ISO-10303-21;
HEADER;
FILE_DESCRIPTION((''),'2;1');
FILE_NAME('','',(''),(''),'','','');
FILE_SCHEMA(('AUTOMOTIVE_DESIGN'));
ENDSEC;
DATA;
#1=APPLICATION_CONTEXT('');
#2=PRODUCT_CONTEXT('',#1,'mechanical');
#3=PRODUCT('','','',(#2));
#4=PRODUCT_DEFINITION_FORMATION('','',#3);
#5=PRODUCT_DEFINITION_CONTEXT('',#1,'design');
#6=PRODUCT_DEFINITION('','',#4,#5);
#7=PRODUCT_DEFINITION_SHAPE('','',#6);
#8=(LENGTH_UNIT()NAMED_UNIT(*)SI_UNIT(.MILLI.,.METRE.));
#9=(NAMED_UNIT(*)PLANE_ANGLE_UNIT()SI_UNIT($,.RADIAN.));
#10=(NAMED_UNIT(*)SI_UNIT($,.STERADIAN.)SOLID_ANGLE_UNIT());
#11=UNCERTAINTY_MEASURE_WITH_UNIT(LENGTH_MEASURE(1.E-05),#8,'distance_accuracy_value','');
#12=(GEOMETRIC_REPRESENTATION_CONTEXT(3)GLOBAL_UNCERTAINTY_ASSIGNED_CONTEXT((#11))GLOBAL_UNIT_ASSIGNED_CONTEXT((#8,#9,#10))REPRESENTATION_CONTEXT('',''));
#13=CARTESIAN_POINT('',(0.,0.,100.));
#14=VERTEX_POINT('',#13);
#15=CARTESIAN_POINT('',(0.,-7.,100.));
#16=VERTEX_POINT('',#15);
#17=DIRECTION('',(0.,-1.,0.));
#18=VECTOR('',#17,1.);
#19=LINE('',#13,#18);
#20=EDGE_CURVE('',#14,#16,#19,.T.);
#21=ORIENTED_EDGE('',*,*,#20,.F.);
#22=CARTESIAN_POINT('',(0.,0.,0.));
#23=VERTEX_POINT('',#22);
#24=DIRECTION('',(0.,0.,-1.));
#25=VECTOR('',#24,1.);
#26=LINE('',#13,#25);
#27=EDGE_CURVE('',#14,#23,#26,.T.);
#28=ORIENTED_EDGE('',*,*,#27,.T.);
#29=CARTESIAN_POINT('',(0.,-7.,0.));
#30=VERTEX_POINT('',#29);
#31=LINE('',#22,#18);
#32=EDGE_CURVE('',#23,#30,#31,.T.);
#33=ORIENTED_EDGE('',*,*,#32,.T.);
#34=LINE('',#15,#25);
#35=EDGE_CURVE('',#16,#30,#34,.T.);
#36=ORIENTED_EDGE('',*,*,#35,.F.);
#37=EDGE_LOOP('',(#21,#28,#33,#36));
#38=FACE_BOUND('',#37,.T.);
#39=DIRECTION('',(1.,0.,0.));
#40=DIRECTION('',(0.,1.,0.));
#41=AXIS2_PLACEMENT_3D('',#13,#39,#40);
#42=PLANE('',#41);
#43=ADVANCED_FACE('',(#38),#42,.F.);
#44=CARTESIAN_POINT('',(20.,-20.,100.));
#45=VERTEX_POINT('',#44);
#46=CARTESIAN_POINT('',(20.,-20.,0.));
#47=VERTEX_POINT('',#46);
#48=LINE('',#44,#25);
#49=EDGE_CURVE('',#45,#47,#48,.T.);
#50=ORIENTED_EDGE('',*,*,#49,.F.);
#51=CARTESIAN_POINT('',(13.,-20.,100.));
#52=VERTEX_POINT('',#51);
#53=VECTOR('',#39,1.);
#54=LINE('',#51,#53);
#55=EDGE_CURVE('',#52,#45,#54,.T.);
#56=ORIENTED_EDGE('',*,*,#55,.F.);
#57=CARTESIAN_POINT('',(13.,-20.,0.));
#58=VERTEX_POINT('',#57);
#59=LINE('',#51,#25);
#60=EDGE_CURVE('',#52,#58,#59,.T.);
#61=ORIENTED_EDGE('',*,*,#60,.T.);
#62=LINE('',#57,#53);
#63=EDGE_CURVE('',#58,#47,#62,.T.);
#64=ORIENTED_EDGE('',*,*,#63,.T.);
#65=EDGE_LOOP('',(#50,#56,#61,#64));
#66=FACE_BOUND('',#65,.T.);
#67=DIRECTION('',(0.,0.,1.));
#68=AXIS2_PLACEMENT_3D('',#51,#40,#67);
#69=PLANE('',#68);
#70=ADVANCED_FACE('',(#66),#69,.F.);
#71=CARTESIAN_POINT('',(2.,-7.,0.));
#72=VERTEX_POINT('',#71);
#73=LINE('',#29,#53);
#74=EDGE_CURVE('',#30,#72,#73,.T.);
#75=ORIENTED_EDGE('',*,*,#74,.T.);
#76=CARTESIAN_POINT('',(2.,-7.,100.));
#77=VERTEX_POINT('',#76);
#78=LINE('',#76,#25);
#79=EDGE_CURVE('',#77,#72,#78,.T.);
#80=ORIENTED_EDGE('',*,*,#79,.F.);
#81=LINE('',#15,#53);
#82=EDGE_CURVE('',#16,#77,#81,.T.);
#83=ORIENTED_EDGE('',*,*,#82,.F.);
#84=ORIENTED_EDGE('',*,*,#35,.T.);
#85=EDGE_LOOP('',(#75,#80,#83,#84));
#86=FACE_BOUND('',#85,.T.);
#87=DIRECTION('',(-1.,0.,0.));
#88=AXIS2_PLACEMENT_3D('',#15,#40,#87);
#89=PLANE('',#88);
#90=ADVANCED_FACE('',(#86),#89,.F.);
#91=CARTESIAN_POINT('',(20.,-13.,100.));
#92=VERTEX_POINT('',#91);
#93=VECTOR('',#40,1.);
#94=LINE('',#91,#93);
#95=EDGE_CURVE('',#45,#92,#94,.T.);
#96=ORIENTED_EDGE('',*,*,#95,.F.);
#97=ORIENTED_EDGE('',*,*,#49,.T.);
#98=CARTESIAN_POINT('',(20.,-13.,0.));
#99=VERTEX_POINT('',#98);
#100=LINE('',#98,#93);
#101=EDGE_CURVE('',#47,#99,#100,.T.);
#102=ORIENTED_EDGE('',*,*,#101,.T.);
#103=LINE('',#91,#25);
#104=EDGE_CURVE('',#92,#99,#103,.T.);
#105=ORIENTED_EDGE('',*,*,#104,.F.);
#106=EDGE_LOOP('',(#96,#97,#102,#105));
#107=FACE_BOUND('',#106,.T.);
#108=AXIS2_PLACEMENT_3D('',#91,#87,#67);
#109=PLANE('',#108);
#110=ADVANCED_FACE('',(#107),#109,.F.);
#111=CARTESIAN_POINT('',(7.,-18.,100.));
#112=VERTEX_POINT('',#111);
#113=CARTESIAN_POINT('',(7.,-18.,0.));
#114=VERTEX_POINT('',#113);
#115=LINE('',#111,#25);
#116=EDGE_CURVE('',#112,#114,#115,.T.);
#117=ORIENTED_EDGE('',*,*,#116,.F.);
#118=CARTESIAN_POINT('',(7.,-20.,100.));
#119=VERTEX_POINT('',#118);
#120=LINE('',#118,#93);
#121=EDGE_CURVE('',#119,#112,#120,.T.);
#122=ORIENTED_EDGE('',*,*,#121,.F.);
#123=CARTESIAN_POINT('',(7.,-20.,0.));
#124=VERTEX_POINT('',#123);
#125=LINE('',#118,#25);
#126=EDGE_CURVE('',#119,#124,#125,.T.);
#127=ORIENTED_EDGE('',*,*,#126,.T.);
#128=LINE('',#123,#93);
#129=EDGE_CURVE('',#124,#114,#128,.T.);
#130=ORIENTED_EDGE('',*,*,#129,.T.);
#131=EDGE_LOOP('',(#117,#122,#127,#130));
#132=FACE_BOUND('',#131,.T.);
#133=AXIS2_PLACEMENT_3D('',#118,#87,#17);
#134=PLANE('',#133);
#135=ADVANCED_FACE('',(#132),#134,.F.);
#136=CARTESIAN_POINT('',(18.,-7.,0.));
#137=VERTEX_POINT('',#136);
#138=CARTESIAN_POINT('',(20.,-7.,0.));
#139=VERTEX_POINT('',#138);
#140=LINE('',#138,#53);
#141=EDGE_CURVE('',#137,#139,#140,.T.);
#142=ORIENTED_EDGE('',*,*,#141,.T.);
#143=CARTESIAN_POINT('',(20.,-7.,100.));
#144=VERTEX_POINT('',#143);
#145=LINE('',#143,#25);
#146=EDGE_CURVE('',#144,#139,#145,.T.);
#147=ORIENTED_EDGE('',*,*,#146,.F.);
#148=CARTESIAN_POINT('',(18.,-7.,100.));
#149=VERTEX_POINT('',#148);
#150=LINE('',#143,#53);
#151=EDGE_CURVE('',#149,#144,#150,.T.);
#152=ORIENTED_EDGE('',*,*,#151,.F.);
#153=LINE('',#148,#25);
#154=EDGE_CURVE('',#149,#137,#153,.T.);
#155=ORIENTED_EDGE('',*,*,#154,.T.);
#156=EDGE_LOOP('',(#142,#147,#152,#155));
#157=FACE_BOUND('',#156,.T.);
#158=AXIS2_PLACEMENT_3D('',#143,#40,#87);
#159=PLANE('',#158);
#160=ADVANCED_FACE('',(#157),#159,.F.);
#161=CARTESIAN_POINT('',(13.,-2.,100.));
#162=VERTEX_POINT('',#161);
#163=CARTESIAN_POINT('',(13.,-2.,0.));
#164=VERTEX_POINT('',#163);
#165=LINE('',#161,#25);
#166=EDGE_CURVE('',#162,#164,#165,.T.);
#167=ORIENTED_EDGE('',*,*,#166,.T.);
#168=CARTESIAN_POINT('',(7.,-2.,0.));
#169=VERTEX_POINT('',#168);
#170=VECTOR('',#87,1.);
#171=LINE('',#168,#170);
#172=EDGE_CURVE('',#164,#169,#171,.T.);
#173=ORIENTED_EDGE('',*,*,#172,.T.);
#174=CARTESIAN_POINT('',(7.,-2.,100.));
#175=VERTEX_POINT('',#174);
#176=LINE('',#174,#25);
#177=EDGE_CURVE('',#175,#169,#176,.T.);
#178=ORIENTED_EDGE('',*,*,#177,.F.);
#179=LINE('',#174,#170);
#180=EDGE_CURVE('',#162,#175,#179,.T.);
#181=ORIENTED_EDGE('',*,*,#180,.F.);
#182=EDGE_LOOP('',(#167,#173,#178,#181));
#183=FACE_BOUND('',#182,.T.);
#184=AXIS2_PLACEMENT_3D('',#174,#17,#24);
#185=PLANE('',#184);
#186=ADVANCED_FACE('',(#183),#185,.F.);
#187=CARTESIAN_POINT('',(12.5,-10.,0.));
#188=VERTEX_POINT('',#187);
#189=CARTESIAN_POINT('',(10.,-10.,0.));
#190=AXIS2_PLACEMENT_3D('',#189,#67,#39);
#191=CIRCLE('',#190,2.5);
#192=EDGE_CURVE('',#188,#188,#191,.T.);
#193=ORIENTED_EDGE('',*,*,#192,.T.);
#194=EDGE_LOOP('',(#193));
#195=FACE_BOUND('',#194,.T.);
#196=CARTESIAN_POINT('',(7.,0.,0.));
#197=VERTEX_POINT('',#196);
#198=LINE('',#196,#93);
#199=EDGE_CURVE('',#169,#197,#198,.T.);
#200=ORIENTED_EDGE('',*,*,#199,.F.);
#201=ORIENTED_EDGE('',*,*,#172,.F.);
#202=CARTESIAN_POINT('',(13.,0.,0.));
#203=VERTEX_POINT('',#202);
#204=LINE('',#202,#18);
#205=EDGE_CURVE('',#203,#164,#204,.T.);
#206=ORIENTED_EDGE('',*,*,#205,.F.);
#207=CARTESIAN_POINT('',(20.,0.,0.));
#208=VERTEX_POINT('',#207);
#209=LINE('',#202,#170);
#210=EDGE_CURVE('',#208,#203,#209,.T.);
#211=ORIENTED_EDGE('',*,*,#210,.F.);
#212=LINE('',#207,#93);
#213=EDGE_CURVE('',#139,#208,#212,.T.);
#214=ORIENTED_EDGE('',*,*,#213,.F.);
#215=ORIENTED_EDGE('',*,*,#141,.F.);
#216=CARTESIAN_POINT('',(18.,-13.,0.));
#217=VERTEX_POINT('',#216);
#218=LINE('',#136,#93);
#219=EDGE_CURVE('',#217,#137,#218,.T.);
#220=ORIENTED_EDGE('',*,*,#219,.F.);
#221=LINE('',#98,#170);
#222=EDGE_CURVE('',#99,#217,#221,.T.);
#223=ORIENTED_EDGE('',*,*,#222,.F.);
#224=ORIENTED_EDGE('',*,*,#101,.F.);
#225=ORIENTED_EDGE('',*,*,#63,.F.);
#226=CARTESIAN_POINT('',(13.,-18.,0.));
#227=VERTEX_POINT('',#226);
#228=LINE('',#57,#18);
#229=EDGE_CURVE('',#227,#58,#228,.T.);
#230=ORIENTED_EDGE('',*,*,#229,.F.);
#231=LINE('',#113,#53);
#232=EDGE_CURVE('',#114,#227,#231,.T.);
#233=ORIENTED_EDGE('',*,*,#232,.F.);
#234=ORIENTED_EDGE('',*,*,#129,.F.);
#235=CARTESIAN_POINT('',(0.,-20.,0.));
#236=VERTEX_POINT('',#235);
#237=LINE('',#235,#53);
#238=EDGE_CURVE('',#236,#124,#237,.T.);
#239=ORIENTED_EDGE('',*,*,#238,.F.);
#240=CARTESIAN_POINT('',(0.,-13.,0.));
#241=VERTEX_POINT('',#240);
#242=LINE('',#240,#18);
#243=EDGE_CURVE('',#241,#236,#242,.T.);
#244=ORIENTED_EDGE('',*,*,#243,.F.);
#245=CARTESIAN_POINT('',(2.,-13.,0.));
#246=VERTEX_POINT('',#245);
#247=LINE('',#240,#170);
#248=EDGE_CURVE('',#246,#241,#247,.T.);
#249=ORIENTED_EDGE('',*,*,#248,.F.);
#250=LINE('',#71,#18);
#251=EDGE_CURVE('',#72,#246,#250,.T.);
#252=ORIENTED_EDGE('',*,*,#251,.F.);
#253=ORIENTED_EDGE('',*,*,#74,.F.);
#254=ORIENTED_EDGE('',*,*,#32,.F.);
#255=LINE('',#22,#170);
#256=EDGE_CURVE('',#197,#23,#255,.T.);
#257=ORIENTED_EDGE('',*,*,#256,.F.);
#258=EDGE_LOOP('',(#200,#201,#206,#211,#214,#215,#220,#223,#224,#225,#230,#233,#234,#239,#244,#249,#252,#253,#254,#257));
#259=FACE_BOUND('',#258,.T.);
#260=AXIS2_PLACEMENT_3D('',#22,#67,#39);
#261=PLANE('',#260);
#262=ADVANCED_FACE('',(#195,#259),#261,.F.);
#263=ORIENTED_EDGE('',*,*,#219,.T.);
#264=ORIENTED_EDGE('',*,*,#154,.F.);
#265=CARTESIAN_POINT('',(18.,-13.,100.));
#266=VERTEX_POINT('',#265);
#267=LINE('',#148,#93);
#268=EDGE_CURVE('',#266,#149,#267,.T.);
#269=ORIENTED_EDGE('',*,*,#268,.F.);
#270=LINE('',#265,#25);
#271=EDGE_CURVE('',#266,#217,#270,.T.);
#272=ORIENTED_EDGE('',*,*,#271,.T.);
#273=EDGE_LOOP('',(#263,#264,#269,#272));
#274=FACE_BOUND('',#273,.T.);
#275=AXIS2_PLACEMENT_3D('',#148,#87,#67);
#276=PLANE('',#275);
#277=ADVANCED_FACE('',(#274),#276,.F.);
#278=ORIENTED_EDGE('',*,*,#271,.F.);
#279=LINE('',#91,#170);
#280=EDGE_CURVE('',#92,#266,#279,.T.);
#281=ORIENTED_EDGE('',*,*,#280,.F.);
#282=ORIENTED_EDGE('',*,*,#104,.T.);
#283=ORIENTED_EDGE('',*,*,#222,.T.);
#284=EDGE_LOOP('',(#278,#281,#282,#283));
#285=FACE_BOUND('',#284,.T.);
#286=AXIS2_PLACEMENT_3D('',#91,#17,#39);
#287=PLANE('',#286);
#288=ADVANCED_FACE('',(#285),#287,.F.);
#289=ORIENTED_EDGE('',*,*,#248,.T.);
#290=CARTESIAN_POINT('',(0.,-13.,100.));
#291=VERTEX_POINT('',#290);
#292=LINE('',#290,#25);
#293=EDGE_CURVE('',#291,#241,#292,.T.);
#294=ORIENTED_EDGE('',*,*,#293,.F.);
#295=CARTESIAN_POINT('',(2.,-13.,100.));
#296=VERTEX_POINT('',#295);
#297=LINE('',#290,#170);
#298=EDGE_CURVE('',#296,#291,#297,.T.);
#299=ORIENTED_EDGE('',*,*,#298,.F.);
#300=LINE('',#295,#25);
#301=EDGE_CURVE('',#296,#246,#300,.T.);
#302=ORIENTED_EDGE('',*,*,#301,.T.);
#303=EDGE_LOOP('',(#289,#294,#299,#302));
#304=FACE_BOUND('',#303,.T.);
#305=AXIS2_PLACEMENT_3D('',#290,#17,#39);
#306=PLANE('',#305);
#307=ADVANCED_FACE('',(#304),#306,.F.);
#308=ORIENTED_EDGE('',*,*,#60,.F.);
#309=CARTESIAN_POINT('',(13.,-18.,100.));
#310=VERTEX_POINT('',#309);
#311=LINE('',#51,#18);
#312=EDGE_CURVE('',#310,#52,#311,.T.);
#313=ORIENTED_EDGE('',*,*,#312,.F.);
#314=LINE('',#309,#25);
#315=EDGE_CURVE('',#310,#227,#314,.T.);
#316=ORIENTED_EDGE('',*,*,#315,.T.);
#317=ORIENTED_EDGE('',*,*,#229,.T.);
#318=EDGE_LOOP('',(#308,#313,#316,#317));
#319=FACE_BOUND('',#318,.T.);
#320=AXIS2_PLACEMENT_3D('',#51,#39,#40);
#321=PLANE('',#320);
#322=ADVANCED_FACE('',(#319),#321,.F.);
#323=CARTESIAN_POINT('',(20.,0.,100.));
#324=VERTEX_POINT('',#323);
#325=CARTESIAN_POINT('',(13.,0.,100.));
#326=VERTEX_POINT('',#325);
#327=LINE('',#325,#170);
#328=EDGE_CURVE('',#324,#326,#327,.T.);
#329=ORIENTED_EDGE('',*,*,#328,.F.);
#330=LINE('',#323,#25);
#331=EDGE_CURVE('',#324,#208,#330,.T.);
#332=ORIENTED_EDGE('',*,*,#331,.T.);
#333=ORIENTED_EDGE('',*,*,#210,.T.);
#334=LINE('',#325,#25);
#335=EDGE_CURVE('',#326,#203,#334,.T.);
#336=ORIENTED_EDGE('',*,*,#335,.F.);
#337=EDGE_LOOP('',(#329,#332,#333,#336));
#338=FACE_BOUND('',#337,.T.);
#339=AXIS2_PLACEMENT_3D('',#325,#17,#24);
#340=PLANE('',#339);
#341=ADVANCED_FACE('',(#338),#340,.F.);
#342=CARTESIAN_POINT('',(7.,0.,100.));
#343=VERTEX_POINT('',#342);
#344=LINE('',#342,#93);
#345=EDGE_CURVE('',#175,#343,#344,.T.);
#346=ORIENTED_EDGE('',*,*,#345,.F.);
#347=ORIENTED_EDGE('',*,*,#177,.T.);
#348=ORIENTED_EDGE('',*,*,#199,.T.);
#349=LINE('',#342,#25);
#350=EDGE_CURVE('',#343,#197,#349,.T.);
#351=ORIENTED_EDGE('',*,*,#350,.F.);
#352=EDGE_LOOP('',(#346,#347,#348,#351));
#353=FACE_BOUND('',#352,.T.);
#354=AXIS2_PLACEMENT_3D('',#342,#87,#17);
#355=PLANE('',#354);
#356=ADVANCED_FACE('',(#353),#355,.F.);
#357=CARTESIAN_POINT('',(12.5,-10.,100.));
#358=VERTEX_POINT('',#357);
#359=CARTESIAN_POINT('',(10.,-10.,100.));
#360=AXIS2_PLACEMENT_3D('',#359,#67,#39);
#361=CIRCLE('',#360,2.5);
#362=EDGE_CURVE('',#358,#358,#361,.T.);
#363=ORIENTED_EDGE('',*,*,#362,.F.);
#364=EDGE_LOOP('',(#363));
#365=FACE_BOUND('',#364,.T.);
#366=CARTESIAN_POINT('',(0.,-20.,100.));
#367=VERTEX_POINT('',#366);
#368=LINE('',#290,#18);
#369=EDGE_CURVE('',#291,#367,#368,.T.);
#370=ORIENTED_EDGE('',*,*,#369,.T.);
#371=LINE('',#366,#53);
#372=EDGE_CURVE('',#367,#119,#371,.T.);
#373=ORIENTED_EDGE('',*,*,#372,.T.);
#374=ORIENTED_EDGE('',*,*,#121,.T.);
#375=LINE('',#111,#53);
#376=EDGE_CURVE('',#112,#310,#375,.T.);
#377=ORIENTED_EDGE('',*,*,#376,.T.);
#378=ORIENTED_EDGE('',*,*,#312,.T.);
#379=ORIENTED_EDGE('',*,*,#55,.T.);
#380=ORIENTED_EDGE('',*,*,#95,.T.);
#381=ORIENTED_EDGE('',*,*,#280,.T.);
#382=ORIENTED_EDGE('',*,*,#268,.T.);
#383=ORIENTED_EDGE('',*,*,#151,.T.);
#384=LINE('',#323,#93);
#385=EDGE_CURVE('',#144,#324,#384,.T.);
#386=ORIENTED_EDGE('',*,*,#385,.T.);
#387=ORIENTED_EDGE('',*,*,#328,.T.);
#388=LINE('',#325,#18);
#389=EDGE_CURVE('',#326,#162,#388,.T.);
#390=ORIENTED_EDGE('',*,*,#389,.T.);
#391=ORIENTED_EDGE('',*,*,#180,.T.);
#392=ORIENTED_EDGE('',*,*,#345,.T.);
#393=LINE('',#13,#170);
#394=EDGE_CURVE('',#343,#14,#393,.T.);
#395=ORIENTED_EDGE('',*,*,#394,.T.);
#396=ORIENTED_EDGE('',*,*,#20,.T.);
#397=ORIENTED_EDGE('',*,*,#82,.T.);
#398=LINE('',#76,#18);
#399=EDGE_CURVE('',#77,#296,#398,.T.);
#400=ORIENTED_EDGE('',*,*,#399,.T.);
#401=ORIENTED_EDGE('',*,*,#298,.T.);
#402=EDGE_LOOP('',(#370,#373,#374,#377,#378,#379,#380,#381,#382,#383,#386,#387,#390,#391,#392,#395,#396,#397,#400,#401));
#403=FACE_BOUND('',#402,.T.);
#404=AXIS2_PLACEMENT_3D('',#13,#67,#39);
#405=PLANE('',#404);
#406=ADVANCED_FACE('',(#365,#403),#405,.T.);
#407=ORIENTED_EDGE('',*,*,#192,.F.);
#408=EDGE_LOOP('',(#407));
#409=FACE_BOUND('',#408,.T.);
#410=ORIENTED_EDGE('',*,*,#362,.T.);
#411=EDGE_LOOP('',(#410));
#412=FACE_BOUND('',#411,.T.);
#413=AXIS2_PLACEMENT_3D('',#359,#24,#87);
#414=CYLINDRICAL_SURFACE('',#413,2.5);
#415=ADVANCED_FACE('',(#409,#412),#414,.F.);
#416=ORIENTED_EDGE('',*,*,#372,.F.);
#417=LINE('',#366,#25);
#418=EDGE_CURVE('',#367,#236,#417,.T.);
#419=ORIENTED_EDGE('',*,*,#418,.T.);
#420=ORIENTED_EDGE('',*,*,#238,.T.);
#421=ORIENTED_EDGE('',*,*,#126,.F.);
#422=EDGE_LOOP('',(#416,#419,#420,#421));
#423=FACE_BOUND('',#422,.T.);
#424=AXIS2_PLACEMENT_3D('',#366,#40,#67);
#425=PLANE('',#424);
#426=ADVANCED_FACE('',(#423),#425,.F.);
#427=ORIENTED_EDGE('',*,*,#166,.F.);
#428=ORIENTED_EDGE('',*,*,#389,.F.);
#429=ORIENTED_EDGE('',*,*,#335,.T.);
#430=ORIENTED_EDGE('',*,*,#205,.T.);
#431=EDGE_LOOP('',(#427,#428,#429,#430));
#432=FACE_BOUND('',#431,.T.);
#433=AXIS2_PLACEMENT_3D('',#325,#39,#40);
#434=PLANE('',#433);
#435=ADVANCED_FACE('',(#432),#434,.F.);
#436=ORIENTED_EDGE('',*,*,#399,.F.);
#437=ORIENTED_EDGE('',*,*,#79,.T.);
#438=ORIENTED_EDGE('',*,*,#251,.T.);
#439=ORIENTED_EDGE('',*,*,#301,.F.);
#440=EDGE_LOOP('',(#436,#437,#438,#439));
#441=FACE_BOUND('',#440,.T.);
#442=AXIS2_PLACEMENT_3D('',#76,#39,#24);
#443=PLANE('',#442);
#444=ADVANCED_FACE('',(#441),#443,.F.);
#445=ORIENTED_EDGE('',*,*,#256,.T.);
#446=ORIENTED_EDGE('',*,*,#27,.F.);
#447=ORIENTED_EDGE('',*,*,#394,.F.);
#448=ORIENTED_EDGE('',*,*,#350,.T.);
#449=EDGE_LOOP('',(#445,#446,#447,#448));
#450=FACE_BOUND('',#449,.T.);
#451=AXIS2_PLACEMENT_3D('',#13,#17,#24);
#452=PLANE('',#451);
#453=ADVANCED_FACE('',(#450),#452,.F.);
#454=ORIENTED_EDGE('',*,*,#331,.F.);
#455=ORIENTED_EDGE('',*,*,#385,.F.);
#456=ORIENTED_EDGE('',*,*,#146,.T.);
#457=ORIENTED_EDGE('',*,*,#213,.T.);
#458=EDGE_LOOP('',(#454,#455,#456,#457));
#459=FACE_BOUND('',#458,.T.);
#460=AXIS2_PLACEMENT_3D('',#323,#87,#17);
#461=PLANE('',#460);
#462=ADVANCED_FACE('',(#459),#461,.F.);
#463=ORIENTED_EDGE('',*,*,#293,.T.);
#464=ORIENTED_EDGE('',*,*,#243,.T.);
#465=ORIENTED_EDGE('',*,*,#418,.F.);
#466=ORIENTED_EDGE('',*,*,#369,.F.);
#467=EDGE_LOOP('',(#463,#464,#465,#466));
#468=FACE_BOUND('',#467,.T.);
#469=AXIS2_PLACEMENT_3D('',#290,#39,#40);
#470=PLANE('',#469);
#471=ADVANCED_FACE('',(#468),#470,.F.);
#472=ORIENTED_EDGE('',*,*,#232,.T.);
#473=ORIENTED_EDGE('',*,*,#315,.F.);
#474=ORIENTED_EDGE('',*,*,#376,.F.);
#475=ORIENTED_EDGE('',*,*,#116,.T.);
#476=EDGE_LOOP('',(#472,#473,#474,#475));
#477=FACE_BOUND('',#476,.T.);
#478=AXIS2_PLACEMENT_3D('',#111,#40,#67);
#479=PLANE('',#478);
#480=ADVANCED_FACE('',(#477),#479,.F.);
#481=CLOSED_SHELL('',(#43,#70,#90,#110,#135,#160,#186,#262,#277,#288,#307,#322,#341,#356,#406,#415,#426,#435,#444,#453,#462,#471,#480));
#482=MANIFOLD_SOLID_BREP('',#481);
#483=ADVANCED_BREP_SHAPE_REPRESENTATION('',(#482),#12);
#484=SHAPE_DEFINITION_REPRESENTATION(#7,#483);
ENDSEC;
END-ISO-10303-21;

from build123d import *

# Parameters (mm, degrees)
SKETCH_1_R      = 2.5
EXTRUDE_1_DEPTH = 100


with BuildPart() as part:
    # 草图1 → 凸台-拉伸1 (new body)
    with BuildSketch(Plane.XY):
        Polygon((0, -13), (0, -20), (7, -20), (7, -18), (13, -18), (13, -20), (20, -20), (20, -13), (18, -13), (18, -7), (20, -7), (20, 0), (13, 0), (13, -2), (7, -2), (7, 0), (0, 0), (0, -7), (2, -7), (2, -13), align=None)
        with Locations((10, -10)):
            Circle(SKETCH_1_R, mode=Mode.SUBTRACT)
    extrude(amount=EXTRUDE_1_DEPTH)


solid = part.part
